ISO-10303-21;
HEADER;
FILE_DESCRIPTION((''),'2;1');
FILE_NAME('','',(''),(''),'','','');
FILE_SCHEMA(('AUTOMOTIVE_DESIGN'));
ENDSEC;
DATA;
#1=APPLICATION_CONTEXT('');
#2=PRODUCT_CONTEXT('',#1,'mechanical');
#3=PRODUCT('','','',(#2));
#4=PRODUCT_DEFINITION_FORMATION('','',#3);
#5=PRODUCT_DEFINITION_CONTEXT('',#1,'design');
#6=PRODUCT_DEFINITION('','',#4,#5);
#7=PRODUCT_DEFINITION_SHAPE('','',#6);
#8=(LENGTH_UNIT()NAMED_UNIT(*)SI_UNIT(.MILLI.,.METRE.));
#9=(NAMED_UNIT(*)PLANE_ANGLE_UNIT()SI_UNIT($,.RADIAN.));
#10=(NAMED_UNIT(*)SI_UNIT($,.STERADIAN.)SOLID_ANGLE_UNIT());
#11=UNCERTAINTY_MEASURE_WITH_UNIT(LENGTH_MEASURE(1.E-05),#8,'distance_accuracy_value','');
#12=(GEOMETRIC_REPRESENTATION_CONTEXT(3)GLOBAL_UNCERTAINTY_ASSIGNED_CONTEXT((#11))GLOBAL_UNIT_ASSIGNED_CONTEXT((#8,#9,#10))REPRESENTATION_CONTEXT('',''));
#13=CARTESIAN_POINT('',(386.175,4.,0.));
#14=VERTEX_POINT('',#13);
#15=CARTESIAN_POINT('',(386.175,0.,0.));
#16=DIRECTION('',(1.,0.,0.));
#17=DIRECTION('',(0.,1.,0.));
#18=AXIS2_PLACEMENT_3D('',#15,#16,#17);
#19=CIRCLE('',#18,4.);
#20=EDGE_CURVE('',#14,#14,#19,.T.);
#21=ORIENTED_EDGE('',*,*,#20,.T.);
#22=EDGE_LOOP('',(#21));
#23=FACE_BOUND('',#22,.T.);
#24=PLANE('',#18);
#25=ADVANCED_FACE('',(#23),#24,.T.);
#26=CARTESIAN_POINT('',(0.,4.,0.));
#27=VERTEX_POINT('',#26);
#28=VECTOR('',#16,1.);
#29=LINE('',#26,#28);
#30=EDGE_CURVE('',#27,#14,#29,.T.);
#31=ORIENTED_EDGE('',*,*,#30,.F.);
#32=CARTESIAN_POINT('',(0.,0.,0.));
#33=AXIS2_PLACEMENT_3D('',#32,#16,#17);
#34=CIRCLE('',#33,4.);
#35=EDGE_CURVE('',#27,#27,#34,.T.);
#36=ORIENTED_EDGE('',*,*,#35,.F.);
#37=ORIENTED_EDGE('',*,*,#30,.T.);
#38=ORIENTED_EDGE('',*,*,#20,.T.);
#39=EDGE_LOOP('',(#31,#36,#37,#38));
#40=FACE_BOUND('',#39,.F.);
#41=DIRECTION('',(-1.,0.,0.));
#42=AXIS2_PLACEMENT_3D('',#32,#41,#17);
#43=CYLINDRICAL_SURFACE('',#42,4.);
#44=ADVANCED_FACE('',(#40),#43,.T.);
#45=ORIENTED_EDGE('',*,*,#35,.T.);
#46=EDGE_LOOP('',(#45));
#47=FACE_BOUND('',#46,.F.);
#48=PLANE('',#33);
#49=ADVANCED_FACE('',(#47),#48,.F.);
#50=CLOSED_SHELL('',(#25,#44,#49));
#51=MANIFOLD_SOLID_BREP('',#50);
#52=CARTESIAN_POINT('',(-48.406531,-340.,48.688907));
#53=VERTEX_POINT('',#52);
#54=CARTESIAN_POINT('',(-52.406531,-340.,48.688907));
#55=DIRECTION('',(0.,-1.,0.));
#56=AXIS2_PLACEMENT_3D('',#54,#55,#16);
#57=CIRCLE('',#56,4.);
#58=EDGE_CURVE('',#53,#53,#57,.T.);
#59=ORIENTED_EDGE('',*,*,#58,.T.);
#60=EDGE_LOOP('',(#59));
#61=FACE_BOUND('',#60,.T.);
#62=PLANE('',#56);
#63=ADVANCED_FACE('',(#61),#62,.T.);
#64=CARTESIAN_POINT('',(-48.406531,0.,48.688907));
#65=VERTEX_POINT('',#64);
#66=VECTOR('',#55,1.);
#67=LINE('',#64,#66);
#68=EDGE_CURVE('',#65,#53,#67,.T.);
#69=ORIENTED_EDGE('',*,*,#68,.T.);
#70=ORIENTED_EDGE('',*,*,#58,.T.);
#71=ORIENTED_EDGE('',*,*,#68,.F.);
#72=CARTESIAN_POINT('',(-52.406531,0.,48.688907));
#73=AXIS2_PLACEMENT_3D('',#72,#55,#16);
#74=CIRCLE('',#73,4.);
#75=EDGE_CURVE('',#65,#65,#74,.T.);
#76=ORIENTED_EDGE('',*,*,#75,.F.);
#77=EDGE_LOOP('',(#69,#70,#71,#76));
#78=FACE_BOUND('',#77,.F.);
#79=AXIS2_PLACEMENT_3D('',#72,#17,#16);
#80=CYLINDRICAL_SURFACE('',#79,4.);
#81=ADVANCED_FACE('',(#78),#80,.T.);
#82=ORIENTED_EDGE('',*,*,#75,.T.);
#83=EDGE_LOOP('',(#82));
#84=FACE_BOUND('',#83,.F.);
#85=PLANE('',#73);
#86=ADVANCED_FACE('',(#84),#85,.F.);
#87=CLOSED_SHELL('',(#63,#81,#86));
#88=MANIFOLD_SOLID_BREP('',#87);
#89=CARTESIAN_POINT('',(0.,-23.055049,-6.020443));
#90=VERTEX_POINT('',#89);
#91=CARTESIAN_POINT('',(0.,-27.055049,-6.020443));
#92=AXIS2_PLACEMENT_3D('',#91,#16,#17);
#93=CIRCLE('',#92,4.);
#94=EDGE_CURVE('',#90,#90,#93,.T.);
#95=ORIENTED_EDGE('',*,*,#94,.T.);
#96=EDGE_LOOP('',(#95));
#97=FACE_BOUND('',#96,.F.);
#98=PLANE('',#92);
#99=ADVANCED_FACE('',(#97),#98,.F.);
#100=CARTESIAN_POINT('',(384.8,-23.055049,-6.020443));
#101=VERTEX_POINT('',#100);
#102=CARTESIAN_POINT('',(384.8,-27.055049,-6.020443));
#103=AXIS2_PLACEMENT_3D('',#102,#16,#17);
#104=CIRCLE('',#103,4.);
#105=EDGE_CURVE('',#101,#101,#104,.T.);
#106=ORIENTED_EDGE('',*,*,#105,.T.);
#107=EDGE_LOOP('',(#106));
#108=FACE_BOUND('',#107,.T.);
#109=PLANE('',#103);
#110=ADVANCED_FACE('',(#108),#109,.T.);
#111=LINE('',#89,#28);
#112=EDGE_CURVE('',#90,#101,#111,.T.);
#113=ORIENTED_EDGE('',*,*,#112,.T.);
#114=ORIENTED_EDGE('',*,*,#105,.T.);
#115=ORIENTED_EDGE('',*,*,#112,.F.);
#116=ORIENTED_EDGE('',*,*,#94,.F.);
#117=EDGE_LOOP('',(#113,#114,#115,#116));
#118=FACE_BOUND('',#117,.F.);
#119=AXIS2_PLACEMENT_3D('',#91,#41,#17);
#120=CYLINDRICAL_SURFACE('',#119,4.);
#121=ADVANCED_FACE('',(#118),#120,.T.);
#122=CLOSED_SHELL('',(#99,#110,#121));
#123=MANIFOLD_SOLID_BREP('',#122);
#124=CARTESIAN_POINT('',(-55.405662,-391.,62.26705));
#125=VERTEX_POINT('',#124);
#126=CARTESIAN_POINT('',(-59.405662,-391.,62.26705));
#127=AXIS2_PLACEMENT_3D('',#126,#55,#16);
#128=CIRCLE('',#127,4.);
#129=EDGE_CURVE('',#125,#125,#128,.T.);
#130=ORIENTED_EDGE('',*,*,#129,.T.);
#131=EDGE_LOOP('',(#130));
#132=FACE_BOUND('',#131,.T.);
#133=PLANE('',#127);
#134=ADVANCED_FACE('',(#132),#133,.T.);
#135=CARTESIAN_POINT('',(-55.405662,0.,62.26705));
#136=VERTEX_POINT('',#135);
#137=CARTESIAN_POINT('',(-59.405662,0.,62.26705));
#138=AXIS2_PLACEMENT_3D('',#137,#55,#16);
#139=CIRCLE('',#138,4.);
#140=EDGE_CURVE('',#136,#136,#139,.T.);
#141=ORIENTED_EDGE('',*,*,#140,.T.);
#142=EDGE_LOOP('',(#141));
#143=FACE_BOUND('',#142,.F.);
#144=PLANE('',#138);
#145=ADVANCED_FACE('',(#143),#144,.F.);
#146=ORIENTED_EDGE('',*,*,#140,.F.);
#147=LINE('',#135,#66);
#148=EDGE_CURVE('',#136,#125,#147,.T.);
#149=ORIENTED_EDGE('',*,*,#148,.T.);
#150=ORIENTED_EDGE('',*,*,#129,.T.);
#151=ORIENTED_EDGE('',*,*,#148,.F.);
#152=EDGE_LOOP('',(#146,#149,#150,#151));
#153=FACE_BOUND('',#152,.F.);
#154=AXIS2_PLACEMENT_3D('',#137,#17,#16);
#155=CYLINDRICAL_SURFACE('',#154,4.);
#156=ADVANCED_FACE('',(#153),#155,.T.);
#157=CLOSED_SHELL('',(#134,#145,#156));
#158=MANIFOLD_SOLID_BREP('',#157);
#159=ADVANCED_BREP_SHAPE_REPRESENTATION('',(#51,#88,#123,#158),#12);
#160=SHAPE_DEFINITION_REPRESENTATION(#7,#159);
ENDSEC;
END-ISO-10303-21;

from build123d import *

# Parameters (mm, degrees)
F2_R     = 4
F5_DEPTH = 386.175
F3_R     = 4
F6_DEPTH = 391
F7_R     = 4
F8_DEPTH = 340
F4_R     = 4
F9_DEPTH = 384.8


with BuildPart() as f5:
    # F2 (on Right) → F5 (new body)
    with BuildSketch(Plane.YZ):
        Circle(F2_R)
    extrude(amount=F5_DEPTH)


with BuildPart() as f6:
    # F3 (on Front) → F6 (new body)
    with BuildSketch(Plane.XZ):
        with Locations((-59.4056621194, 62.2670501471)):
            Circle(F3_R)
    extrude(amount=F6_DEPTH)


with BuildPart() as f8:
    # F7 (on Front) → F8 (new body)
    with BuildSketch(Plane.XZ):
        with Locations((-52.4065308273, 48.6889071763)):
            Circle(F7_R)
    extrude(amount=F8_DEPTH)


with BuildPart() as f9:
    # F4 (on Right) → F9 (new body)
    with BuildSketch(Plane.YZ):
        with Locations((-27.0550493151, -6.0204425827)):
            Circle(F4_R)
    extrude(amount=F9_DEPTH)


solid = Compound([f5.part, f6.part, f8.part, f9.part])
